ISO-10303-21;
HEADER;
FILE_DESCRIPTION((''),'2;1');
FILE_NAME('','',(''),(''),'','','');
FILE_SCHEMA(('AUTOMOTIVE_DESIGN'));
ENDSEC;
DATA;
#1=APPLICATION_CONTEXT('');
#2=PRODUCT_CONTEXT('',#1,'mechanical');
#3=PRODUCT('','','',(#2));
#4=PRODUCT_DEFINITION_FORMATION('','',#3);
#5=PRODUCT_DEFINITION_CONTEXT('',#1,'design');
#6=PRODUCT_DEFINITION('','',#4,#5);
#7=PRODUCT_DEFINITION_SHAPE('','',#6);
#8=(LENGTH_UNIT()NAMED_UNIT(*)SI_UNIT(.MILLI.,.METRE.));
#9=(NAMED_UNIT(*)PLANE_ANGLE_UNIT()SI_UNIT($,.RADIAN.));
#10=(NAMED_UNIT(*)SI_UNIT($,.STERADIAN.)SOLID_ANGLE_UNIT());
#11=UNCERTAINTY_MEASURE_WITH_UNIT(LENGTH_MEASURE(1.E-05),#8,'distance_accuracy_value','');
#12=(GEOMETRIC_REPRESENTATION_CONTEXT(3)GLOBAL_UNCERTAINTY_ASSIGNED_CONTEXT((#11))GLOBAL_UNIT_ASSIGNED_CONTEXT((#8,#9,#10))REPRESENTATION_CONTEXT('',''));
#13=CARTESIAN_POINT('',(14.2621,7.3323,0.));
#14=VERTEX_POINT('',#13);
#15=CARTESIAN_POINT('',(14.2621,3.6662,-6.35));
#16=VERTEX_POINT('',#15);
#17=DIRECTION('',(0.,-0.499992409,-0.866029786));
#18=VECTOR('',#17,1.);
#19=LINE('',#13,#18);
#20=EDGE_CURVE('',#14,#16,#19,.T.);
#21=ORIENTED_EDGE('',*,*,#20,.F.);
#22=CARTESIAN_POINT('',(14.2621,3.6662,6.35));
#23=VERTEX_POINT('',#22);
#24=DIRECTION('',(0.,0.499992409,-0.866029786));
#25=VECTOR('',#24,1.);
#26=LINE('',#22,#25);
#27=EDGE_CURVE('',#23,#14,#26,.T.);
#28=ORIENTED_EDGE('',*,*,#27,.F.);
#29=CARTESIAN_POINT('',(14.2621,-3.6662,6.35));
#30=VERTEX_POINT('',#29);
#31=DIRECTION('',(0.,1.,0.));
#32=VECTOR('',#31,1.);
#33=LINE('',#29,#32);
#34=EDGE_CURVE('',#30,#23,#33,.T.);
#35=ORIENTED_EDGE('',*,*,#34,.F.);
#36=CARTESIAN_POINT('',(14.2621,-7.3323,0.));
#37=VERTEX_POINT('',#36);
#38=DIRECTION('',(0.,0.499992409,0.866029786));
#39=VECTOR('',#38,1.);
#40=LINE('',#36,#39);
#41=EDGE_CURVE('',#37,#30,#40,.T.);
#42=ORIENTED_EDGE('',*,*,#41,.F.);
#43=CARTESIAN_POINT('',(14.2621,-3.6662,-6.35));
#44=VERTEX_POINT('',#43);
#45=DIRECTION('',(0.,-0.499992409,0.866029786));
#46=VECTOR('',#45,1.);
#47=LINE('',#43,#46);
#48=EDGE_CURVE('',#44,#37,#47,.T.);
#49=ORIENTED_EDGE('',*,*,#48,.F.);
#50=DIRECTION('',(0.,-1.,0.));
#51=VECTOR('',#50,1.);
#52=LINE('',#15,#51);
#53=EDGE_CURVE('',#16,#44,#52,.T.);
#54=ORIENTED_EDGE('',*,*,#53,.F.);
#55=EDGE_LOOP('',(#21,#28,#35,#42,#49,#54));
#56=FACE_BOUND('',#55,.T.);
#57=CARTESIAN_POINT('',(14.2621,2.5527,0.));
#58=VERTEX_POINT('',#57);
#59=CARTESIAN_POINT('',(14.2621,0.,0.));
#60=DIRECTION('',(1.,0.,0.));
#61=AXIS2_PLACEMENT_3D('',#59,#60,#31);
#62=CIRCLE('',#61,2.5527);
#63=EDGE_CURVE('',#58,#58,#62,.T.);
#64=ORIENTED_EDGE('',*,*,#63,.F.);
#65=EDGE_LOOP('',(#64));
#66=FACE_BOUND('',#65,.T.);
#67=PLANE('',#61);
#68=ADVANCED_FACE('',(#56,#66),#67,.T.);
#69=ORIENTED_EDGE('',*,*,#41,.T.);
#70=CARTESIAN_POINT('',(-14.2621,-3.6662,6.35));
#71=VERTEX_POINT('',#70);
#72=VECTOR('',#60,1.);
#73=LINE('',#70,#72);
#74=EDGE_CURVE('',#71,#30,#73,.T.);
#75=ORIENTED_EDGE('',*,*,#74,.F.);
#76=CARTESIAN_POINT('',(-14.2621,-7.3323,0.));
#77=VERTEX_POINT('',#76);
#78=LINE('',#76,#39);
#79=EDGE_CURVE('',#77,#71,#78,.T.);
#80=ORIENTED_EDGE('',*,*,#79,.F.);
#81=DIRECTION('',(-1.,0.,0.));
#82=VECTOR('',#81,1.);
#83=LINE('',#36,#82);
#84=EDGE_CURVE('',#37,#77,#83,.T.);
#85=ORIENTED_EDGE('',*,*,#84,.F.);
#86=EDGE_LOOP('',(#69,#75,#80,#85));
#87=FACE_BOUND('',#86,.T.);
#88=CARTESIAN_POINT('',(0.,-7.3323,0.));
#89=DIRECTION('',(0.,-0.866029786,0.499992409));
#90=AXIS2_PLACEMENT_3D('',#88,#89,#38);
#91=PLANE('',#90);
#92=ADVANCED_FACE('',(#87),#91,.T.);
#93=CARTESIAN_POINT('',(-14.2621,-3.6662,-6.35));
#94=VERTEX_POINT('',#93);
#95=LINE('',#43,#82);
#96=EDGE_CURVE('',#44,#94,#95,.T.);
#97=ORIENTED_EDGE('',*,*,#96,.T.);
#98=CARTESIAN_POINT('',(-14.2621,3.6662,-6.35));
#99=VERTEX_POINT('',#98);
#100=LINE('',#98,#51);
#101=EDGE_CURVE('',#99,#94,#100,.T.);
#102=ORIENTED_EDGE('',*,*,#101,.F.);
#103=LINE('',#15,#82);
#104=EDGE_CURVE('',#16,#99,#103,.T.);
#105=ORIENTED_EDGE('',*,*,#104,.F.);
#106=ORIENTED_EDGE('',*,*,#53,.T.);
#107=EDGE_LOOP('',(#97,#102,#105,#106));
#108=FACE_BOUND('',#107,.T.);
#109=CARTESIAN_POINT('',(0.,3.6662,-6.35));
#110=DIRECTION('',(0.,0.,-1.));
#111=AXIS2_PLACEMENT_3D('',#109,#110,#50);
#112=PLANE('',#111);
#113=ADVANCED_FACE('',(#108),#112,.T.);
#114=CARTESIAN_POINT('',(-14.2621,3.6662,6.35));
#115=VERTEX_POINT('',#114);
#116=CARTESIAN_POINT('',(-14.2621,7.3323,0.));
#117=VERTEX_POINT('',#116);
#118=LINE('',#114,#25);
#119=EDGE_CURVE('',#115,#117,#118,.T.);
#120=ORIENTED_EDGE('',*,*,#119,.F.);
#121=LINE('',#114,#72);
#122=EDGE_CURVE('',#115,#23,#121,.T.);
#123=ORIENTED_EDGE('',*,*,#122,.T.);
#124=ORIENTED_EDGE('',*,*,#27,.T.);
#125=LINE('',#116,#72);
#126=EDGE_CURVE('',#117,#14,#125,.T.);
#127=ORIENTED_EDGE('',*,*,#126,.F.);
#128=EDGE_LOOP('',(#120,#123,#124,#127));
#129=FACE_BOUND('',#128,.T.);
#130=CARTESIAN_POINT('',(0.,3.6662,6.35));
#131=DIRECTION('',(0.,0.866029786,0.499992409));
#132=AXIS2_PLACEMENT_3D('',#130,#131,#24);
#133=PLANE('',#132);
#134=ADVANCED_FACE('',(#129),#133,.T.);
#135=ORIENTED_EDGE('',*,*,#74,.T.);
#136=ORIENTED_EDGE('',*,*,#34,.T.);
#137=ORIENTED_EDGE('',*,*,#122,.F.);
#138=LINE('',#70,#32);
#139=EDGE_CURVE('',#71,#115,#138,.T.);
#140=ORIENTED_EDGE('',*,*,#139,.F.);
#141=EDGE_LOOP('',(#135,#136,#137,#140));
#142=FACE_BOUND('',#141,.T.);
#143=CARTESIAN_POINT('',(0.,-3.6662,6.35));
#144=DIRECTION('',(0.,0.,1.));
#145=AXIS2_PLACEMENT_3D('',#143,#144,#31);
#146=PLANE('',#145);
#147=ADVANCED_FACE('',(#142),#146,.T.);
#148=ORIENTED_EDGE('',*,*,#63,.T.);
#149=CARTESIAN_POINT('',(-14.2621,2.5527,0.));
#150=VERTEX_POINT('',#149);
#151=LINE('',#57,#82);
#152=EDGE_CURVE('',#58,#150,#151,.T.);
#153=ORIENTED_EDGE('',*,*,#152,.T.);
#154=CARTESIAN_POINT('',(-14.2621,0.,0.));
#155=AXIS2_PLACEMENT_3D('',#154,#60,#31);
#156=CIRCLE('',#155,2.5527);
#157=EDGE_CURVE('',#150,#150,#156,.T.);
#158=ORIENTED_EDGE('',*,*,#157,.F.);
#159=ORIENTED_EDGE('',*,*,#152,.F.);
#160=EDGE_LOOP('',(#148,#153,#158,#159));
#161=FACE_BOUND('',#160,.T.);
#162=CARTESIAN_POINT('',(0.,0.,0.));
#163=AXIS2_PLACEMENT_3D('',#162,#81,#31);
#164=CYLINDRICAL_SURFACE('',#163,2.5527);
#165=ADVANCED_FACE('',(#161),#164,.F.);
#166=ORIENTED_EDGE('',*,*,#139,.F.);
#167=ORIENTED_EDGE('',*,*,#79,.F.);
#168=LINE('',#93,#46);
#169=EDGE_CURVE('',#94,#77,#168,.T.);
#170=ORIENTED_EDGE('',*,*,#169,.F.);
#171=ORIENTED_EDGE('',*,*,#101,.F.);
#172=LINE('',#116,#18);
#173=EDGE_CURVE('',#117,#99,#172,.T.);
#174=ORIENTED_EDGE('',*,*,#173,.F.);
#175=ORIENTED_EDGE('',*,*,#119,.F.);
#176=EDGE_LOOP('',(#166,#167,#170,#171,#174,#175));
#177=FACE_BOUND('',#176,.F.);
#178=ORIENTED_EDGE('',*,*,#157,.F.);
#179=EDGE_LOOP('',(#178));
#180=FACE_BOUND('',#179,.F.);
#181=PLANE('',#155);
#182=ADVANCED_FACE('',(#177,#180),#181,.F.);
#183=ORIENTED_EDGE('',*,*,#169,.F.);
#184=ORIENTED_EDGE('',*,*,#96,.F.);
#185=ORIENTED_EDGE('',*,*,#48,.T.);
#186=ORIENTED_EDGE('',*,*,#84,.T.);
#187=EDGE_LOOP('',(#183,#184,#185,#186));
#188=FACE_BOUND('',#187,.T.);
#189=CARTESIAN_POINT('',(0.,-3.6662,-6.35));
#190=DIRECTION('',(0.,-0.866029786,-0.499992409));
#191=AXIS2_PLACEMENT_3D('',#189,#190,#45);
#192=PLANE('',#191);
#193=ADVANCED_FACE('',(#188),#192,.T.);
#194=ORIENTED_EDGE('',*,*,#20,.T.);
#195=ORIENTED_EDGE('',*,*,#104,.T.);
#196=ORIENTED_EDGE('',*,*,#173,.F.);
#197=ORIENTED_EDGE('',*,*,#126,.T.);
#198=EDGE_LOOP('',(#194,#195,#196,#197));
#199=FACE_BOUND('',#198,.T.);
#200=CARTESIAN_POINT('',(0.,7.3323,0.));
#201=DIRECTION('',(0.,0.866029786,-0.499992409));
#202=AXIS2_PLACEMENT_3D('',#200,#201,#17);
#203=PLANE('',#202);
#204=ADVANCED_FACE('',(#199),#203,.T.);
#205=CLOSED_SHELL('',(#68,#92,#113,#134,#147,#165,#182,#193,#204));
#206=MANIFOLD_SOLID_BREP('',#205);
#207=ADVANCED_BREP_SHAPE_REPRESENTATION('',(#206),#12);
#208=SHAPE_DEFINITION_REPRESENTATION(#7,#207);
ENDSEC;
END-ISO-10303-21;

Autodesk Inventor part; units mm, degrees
ref_plane "YZ Plane" through (0, 0, 0) normal (1, 0, 0) x (0, 1, 0)
ref_plane "XZ Plane" through (0, 0, 0) normal (0, 1, 0) x (-1, 0, 0)
ref_plane "XY Plane" through (0, 0, 0) normal (0, 0, 1) x (1, 0, 0)
sketch "Sketch1" plane through (0, 0, 0) normal (1, 0, 0) x (0, 1, 0)
  circle A0 centre (0, 0) radius 2.5527
  line L0 (7.3323, 0) -> (3.6662, -6.35)
  line L1 (3.6662, -6.35) -> (-3.6662, -6.35)
  line L2 (-3.6662, -6.35) -> (-7.3323, 0)
  line L3 (-7.3323, 0) -> (-3.6662, 6.35)
  line L4 (-3.6662, 6.35) -> (3.6662, 6.35)
  line L5 (3.6662, 6.35) -> (7.3323, 0)
  point P0 (0, -6.35)
  dimension "d1" = 12.7
  dimension "d5" = 5.1054
extrude "Extrusion1" add sketch "Sketch1" along normal mid plane 28.5242
properties part number "1.123 hex shaft 0.25-20 0.5" material "Aluminum 6061"
